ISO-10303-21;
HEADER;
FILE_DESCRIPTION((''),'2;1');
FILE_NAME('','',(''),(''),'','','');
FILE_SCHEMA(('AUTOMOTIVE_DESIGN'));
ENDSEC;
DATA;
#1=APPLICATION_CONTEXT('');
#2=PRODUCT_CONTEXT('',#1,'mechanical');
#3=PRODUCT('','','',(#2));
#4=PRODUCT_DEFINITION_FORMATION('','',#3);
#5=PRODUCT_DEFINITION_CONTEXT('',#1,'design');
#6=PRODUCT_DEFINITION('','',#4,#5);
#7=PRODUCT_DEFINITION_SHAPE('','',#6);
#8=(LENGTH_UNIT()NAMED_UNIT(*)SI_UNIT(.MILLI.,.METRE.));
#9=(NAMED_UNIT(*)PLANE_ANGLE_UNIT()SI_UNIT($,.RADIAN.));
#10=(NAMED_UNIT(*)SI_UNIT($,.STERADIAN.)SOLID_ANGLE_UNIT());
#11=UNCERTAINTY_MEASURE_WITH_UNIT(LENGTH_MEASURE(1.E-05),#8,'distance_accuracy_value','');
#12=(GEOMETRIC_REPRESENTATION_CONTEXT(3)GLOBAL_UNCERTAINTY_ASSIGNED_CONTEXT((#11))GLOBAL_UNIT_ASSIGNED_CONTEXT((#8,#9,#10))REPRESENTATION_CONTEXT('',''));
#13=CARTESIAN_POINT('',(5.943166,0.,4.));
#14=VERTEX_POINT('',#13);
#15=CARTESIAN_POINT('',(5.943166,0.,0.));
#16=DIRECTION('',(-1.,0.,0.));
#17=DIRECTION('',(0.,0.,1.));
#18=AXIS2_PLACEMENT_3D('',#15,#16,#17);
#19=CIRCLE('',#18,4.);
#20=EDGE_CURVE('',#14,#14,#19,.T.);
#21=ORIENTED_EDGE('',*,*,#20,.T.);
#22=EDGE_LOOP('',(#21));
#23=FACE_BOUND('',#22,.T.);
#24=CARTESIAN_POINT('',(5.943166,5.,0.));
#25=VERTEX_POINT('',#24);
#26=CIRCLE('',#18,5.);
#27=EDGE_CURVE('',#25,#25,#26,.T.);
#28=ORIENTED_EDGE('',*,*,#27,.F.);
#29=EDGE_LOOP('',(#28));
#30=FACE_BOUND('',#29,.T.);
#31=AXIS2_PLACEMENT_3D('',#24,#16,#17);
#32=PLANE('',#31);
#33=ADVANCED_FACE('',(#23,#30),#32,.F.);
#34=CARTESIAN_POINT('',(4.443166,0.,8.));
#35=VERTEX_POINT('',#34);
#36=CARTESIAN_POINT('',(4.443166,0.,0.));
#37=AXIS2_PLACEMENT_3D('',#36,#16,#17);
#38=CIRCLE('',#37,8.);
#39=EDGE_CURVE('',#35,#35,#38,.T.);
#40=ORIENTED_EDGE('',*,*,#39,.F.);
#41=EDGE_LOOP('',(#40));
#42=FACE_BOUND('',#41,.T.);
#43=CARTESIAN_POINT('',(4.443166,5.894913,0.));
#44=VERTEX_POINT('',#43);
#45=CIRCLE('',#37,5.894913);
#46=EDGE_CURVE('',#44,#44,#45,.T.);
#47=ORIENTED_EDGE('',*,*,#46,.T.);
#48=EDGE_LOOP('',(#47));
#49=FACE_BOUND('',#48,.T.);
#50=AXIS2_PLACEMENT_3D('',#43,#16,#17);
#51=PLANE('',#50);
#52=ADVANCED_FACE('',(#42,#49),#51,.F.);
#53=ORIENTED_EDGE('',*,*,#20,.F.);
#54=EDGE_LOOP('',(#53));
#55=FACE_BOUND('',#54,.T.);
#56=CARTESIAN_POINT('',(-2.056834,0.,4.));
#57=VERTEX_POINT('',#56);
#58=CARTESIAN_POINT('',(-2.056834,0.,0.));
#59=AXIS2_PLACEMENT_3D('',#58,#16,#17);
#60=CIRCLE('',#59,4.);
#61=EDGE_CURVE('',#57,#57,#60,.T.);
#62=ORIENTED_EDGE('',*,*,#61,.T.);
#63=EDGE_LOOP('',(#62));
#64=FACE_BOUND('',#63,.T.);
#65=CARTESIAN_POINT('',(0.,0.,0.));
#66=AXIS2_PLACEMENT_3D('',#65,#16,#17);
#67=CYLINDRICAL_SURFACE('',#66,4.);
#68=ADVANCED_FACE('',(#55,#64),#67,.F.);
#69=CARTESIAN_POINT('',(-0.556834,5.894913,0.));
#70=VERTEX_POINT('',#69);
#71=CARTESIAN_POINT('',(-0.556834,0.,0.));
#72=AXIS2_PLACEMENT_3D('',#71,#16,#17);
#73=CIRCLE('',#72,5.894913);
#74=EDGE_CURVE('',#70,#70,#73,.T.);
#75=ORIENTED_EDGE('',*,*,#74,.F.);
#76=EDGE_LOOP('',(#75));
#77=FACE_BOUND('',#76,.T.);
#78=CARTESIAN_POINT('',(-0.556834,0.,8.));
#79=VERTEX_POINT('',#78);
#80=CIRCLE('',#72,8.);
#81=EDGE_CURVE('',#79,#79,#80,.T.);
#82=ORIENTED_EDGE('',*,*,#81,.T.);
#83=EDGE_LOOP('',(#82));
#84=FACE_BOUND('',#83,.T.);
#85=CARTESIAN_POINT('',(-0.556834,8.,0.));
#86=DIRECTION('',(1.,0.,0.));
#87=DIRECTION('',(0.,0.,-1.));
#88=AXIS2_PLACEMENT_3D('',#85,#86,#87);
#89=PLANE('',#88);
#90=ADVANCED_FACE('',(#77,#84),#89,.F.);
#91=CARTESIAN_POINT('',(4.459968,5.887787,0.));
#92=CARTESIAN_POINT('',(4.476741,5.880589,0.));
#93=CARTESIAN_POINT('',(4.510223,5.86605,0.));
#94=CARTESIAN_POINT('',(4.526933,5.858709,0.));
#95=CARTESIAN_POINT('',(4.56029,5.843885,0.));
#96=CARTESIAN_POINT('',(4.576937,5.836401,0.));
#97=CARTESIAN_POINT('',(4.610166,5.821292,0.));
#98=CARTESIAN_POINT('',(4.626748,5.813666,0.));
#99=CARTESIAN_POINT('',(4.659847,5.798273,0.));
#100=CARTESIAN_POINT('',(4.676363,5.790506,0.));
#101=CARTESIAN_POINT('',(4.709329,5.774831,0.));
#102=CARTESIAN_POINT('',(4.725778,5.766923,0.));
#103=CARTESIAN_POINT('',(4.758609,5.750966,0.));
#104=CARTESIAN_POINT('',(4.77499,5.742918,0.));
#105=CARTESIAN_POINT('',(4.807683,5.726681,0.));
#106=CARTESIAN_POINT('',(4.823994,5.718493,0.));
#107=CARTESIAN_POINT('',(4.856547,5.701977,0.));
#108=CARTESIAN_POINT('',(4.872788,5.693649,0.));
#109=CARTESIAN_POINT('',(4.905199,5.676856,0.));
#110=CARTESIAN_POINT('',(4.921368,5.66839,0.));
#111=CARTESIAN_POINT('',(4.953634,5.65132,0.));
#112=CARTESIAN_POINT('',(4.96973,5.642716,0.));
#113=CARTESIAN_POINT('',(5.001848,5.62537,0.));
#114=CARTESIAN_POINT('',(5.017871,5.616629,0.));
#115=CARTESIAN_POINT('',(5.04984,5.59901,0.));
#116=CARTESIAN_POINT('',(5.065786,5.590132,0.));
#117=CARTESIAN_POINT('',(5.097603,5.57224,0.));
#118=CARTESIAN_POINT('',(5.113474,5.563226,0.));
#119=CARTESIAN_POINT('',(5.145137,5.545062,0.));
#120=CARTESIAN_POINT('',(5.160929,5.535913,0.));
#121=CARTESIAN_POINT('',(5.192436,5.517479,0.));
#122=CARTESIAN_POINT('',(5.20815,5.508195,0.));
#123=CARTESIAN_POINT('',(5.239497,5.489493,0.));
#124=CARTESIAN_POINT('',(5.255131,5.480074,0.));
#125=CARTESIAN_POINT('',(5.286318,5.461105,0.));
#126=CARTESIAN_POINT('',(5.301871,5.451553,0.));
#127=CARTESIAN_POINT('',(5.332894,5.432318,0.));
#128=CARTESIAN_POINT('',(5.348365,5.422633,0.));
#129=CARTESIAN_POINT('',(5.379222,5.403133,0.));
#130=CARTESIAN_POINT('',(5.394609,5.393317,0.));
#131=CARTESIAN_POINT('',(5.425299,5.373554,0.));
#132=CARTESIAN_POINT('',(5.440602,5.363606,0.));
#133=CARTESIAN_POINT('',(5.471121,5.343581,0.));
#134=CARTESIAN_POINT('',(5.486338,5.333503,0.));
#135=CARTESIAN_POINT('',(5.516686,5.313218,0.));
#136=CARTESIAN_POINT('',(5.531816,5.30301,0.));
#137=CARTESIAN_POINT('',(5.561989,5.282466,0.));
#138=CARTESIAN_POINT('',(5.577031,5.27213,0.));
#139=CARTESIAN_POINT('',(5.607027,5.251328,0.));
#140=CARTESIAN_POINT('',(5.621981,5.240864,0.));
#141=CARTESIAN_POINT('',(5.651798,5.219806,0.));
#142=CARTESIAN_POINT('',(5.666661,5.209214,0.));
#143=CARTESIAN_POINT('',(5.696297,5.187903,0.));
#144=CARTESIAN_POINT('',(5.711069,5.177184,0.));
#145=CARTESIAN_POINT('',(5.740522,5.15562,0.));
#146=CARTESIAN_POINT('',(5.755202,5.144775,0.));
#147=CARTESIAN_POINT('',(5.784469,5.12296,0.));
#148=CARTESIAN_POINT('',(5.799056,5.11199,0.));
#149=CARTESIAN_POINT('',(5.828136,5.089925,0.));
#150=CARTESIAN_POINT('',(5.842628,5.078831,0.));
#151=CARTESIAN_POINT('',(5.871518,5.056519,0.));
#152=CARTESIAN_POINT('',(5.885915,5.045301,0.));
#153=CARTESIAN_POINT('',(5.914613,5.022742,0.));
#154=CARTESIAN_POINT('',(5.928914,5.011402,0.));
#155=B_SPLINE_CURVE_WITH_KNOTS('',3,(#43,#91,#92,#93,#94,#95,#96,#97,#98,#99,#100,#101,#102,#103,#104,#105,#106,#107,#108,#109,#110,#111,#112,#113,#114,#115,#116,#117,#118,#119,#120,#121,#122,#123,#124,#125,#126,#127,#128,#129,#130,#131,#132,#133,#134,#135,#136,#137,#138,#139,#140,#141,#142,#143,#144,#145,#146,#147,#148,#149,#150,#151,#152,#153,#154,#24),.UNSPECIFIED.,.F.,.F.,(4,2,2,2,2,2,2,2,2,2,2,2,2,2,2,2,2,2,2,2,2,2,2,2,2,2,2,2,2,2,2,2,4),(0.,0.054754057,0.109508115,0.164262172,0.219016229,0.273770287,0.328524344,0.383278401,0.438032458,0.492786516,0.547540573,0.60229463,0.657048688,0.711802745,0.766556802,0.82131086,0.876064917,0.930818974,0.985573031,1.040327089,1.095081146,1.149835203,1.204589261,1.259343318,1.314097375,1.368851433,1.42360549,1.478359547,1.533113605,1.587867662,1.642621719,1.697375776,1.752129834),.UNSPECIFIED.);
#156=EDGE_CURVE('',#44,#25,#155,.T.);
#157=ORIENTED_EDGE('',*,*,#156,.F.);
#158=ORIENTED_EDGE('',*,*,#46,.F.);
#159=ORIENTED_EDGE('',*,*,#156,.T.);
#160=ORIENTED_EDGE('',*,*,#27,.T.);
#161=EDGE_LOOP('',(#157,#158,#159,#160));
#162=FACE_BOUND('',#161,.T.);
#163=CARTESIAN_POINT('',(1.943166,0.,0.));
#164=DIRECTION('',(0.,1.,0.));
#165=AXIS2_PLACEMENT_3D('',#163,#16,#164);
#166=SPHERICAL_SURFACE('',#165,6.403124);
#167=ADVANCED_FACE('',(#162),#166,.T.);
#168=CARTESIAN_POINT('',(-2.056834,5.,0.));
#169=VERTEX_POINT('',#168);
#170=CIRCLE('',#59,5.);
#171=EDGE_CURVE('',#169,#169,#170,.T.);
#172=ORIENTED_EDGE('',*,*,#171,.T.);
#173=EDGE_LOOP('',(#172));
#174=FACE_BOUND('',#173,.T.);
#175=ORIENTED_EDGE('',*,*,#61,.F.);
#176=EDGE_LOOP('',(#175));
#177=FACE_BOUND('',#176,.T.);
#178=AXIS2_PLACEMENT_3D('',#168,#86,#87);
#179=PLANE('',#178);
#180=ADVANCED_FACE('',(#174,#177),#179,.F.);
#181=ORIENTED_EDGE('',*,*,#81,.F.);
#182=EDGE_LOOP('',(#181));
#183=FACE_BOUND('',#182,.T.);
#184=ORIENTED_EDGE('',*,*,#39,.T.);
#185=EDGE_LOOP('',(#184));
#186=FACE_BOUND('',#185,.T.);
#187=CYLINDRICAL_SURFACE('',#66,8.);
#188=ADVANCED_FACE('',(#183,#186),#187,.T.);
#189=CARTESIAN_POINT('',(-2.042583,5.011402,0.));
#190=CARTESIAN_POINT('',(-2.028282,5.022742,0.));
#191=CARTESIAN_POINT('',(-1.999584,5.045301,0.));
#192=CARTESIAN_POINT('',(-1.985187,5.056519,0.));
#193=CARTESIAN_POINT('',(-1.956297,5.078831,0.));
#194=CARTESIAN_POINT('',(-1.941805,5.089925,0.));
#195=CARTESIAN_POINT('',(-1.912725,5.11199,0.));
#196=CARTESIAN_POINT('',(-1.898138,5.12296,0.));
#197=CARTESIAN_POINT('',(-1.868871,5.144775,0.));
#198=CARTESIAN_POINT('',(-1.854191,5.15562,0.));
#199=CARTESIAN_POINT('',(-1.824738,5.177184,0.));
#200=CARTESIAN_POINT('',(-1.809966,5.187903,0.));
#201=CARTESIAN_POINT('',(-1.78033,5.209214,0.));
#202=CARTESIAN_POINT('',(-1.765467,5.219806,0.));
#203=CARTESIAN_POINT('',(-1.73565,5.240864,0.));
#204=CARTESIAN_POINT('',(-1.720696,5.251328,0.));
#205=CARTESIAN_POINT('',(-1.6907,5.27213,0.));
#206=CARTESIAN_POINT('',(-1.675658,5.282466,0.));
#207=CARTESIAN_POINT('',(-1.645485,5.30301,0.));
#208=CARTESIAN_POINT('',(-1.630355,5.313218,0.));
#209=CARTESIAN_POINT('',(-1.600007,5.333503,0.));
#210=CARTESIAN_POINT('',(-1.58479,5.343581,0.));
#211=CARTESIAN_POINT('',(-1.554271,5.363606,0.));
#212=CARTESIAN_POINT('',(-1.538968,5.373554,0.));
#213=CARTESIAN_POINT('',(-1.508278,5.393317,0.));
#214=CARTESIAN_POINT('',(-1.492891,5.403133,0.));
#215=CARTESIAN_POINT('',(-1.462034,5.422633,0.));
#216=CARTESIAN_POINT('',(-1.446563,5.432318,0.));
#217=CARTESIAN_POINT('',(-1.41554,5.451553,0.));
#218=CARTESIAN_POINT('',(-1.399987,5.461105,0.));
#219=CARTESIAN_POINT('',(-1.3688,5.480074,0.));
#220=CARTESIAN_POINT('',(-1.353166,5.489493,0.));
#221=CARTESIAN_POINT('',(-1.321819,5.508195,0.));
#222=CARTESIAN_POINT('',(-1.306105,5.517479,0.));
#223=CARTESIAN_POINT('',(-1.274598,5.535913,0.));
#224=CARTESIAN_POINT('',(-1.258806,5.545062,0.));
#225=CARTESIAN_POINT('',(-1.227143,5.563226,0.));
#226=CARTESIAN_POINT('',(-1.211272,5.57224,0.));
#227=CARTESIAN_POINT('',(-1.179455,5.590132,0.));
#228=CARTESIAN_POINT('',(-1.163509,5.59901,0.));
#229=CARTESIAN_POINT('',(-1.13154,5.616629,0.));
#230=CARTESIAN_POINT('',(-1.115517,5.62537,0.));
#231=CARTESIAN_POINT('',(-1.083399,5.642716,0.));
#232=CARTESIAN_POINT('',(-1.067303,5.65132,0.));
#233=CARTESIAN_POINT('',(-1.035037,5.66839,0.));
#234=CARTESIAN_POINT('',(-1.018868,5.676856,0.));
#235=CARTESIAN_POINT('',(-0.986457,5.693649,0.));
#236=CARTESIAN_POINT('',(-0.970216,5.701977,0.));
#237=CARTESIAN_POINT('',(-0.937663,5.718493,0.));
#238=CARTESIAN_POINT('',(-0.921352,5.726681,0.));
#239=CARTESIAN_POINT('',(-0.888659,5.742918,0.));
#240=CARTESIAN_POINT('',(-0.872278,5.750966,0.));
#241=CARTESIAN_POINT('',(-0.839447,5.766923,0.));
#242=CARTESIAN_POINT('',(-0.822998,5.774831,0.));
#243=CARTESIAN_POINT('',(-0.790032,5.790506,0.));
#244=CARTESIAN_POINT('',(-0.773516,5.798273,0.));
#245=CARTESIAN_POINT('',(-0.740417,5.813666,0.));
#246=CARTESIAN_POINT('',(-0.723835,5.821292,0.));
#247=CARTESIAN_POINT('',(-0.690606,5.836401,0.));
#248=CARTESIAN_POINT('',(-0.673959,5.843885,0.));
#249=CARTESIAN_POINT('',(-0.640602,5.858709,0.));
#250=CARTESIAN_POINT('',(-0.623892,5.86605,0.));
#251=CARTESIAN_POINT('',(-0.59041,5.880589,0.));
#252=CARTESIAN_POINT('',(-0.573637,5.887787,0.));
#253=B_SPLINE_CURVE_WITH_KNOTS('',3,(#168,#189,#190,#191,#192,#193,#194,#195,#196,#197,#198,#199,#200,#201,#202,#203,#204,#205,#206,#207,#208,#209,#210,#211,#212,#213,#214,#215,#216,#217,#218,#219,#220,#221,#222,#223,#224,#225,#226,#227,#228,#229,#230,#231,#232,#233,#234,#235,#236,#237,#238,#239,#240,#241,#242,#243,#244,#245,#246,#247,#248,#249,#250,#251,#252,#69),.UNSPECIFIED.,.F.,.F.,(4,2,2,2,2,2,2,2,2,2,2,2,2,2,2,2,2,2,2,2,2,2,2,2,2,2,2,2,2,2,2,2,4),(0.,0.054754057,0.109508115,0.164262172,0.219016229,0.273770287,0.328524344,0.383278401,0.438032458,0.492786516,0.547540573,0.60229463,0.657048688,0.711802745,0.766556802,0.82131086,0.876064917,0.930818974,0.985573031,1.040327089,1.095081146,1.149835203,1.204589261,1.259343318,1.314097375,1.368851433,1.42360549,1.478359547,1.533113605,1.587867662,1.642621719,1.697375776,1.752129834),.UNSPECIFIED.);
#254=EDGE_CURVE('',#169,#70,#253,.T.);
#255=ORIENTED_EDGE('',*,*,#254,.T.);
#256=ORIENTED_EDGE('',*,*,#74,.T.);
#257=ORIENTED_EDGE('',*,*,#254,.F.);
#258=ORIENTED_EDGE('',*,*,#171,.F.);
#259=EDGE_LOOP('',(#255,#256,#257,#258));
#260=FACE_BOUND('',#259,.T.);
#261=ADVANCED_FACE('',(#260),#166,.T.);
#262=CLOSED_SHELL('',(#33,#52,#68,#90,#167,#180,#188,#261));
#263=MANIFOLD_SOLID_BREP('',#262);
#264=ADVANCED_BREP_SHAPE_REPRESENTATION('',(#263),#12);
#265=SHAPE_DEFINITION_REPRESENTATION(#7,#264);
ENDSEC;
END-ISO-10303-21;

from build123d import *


with BuildPart() as part:
    # 草图1 → 旋转1 (revolve)
    with BuildSketch(Plane.XY):
        with BuildLine():
            Line((4.4431655, 5.894913061), (4.4431655, 8))
            Line((4.4431655, 8), (-0.5568345, 8))
            Line((-0.5568345, 8), (-0.5568345, 5.894913061))
            ThreePointArc((-0.5568345, 5.894913061), (-1.337492566, 5.498843756), (-2.0568345, 5))
            Line((-2.0568345, 5), (-2.0568345, 4))
            Line((-2.0568345, 4), (5.9431655, 4))
            Line((5.9431655, 4), (5.9431655, 5))
            ThreePointArc((5.9431655, 5), (5.223823567, 5.498843756), (4.4431655, 5.894913061))
        make_face()
    revolve(axis=Axis((0, 0, 0), (1, 0, 0)))


solid = part.part
